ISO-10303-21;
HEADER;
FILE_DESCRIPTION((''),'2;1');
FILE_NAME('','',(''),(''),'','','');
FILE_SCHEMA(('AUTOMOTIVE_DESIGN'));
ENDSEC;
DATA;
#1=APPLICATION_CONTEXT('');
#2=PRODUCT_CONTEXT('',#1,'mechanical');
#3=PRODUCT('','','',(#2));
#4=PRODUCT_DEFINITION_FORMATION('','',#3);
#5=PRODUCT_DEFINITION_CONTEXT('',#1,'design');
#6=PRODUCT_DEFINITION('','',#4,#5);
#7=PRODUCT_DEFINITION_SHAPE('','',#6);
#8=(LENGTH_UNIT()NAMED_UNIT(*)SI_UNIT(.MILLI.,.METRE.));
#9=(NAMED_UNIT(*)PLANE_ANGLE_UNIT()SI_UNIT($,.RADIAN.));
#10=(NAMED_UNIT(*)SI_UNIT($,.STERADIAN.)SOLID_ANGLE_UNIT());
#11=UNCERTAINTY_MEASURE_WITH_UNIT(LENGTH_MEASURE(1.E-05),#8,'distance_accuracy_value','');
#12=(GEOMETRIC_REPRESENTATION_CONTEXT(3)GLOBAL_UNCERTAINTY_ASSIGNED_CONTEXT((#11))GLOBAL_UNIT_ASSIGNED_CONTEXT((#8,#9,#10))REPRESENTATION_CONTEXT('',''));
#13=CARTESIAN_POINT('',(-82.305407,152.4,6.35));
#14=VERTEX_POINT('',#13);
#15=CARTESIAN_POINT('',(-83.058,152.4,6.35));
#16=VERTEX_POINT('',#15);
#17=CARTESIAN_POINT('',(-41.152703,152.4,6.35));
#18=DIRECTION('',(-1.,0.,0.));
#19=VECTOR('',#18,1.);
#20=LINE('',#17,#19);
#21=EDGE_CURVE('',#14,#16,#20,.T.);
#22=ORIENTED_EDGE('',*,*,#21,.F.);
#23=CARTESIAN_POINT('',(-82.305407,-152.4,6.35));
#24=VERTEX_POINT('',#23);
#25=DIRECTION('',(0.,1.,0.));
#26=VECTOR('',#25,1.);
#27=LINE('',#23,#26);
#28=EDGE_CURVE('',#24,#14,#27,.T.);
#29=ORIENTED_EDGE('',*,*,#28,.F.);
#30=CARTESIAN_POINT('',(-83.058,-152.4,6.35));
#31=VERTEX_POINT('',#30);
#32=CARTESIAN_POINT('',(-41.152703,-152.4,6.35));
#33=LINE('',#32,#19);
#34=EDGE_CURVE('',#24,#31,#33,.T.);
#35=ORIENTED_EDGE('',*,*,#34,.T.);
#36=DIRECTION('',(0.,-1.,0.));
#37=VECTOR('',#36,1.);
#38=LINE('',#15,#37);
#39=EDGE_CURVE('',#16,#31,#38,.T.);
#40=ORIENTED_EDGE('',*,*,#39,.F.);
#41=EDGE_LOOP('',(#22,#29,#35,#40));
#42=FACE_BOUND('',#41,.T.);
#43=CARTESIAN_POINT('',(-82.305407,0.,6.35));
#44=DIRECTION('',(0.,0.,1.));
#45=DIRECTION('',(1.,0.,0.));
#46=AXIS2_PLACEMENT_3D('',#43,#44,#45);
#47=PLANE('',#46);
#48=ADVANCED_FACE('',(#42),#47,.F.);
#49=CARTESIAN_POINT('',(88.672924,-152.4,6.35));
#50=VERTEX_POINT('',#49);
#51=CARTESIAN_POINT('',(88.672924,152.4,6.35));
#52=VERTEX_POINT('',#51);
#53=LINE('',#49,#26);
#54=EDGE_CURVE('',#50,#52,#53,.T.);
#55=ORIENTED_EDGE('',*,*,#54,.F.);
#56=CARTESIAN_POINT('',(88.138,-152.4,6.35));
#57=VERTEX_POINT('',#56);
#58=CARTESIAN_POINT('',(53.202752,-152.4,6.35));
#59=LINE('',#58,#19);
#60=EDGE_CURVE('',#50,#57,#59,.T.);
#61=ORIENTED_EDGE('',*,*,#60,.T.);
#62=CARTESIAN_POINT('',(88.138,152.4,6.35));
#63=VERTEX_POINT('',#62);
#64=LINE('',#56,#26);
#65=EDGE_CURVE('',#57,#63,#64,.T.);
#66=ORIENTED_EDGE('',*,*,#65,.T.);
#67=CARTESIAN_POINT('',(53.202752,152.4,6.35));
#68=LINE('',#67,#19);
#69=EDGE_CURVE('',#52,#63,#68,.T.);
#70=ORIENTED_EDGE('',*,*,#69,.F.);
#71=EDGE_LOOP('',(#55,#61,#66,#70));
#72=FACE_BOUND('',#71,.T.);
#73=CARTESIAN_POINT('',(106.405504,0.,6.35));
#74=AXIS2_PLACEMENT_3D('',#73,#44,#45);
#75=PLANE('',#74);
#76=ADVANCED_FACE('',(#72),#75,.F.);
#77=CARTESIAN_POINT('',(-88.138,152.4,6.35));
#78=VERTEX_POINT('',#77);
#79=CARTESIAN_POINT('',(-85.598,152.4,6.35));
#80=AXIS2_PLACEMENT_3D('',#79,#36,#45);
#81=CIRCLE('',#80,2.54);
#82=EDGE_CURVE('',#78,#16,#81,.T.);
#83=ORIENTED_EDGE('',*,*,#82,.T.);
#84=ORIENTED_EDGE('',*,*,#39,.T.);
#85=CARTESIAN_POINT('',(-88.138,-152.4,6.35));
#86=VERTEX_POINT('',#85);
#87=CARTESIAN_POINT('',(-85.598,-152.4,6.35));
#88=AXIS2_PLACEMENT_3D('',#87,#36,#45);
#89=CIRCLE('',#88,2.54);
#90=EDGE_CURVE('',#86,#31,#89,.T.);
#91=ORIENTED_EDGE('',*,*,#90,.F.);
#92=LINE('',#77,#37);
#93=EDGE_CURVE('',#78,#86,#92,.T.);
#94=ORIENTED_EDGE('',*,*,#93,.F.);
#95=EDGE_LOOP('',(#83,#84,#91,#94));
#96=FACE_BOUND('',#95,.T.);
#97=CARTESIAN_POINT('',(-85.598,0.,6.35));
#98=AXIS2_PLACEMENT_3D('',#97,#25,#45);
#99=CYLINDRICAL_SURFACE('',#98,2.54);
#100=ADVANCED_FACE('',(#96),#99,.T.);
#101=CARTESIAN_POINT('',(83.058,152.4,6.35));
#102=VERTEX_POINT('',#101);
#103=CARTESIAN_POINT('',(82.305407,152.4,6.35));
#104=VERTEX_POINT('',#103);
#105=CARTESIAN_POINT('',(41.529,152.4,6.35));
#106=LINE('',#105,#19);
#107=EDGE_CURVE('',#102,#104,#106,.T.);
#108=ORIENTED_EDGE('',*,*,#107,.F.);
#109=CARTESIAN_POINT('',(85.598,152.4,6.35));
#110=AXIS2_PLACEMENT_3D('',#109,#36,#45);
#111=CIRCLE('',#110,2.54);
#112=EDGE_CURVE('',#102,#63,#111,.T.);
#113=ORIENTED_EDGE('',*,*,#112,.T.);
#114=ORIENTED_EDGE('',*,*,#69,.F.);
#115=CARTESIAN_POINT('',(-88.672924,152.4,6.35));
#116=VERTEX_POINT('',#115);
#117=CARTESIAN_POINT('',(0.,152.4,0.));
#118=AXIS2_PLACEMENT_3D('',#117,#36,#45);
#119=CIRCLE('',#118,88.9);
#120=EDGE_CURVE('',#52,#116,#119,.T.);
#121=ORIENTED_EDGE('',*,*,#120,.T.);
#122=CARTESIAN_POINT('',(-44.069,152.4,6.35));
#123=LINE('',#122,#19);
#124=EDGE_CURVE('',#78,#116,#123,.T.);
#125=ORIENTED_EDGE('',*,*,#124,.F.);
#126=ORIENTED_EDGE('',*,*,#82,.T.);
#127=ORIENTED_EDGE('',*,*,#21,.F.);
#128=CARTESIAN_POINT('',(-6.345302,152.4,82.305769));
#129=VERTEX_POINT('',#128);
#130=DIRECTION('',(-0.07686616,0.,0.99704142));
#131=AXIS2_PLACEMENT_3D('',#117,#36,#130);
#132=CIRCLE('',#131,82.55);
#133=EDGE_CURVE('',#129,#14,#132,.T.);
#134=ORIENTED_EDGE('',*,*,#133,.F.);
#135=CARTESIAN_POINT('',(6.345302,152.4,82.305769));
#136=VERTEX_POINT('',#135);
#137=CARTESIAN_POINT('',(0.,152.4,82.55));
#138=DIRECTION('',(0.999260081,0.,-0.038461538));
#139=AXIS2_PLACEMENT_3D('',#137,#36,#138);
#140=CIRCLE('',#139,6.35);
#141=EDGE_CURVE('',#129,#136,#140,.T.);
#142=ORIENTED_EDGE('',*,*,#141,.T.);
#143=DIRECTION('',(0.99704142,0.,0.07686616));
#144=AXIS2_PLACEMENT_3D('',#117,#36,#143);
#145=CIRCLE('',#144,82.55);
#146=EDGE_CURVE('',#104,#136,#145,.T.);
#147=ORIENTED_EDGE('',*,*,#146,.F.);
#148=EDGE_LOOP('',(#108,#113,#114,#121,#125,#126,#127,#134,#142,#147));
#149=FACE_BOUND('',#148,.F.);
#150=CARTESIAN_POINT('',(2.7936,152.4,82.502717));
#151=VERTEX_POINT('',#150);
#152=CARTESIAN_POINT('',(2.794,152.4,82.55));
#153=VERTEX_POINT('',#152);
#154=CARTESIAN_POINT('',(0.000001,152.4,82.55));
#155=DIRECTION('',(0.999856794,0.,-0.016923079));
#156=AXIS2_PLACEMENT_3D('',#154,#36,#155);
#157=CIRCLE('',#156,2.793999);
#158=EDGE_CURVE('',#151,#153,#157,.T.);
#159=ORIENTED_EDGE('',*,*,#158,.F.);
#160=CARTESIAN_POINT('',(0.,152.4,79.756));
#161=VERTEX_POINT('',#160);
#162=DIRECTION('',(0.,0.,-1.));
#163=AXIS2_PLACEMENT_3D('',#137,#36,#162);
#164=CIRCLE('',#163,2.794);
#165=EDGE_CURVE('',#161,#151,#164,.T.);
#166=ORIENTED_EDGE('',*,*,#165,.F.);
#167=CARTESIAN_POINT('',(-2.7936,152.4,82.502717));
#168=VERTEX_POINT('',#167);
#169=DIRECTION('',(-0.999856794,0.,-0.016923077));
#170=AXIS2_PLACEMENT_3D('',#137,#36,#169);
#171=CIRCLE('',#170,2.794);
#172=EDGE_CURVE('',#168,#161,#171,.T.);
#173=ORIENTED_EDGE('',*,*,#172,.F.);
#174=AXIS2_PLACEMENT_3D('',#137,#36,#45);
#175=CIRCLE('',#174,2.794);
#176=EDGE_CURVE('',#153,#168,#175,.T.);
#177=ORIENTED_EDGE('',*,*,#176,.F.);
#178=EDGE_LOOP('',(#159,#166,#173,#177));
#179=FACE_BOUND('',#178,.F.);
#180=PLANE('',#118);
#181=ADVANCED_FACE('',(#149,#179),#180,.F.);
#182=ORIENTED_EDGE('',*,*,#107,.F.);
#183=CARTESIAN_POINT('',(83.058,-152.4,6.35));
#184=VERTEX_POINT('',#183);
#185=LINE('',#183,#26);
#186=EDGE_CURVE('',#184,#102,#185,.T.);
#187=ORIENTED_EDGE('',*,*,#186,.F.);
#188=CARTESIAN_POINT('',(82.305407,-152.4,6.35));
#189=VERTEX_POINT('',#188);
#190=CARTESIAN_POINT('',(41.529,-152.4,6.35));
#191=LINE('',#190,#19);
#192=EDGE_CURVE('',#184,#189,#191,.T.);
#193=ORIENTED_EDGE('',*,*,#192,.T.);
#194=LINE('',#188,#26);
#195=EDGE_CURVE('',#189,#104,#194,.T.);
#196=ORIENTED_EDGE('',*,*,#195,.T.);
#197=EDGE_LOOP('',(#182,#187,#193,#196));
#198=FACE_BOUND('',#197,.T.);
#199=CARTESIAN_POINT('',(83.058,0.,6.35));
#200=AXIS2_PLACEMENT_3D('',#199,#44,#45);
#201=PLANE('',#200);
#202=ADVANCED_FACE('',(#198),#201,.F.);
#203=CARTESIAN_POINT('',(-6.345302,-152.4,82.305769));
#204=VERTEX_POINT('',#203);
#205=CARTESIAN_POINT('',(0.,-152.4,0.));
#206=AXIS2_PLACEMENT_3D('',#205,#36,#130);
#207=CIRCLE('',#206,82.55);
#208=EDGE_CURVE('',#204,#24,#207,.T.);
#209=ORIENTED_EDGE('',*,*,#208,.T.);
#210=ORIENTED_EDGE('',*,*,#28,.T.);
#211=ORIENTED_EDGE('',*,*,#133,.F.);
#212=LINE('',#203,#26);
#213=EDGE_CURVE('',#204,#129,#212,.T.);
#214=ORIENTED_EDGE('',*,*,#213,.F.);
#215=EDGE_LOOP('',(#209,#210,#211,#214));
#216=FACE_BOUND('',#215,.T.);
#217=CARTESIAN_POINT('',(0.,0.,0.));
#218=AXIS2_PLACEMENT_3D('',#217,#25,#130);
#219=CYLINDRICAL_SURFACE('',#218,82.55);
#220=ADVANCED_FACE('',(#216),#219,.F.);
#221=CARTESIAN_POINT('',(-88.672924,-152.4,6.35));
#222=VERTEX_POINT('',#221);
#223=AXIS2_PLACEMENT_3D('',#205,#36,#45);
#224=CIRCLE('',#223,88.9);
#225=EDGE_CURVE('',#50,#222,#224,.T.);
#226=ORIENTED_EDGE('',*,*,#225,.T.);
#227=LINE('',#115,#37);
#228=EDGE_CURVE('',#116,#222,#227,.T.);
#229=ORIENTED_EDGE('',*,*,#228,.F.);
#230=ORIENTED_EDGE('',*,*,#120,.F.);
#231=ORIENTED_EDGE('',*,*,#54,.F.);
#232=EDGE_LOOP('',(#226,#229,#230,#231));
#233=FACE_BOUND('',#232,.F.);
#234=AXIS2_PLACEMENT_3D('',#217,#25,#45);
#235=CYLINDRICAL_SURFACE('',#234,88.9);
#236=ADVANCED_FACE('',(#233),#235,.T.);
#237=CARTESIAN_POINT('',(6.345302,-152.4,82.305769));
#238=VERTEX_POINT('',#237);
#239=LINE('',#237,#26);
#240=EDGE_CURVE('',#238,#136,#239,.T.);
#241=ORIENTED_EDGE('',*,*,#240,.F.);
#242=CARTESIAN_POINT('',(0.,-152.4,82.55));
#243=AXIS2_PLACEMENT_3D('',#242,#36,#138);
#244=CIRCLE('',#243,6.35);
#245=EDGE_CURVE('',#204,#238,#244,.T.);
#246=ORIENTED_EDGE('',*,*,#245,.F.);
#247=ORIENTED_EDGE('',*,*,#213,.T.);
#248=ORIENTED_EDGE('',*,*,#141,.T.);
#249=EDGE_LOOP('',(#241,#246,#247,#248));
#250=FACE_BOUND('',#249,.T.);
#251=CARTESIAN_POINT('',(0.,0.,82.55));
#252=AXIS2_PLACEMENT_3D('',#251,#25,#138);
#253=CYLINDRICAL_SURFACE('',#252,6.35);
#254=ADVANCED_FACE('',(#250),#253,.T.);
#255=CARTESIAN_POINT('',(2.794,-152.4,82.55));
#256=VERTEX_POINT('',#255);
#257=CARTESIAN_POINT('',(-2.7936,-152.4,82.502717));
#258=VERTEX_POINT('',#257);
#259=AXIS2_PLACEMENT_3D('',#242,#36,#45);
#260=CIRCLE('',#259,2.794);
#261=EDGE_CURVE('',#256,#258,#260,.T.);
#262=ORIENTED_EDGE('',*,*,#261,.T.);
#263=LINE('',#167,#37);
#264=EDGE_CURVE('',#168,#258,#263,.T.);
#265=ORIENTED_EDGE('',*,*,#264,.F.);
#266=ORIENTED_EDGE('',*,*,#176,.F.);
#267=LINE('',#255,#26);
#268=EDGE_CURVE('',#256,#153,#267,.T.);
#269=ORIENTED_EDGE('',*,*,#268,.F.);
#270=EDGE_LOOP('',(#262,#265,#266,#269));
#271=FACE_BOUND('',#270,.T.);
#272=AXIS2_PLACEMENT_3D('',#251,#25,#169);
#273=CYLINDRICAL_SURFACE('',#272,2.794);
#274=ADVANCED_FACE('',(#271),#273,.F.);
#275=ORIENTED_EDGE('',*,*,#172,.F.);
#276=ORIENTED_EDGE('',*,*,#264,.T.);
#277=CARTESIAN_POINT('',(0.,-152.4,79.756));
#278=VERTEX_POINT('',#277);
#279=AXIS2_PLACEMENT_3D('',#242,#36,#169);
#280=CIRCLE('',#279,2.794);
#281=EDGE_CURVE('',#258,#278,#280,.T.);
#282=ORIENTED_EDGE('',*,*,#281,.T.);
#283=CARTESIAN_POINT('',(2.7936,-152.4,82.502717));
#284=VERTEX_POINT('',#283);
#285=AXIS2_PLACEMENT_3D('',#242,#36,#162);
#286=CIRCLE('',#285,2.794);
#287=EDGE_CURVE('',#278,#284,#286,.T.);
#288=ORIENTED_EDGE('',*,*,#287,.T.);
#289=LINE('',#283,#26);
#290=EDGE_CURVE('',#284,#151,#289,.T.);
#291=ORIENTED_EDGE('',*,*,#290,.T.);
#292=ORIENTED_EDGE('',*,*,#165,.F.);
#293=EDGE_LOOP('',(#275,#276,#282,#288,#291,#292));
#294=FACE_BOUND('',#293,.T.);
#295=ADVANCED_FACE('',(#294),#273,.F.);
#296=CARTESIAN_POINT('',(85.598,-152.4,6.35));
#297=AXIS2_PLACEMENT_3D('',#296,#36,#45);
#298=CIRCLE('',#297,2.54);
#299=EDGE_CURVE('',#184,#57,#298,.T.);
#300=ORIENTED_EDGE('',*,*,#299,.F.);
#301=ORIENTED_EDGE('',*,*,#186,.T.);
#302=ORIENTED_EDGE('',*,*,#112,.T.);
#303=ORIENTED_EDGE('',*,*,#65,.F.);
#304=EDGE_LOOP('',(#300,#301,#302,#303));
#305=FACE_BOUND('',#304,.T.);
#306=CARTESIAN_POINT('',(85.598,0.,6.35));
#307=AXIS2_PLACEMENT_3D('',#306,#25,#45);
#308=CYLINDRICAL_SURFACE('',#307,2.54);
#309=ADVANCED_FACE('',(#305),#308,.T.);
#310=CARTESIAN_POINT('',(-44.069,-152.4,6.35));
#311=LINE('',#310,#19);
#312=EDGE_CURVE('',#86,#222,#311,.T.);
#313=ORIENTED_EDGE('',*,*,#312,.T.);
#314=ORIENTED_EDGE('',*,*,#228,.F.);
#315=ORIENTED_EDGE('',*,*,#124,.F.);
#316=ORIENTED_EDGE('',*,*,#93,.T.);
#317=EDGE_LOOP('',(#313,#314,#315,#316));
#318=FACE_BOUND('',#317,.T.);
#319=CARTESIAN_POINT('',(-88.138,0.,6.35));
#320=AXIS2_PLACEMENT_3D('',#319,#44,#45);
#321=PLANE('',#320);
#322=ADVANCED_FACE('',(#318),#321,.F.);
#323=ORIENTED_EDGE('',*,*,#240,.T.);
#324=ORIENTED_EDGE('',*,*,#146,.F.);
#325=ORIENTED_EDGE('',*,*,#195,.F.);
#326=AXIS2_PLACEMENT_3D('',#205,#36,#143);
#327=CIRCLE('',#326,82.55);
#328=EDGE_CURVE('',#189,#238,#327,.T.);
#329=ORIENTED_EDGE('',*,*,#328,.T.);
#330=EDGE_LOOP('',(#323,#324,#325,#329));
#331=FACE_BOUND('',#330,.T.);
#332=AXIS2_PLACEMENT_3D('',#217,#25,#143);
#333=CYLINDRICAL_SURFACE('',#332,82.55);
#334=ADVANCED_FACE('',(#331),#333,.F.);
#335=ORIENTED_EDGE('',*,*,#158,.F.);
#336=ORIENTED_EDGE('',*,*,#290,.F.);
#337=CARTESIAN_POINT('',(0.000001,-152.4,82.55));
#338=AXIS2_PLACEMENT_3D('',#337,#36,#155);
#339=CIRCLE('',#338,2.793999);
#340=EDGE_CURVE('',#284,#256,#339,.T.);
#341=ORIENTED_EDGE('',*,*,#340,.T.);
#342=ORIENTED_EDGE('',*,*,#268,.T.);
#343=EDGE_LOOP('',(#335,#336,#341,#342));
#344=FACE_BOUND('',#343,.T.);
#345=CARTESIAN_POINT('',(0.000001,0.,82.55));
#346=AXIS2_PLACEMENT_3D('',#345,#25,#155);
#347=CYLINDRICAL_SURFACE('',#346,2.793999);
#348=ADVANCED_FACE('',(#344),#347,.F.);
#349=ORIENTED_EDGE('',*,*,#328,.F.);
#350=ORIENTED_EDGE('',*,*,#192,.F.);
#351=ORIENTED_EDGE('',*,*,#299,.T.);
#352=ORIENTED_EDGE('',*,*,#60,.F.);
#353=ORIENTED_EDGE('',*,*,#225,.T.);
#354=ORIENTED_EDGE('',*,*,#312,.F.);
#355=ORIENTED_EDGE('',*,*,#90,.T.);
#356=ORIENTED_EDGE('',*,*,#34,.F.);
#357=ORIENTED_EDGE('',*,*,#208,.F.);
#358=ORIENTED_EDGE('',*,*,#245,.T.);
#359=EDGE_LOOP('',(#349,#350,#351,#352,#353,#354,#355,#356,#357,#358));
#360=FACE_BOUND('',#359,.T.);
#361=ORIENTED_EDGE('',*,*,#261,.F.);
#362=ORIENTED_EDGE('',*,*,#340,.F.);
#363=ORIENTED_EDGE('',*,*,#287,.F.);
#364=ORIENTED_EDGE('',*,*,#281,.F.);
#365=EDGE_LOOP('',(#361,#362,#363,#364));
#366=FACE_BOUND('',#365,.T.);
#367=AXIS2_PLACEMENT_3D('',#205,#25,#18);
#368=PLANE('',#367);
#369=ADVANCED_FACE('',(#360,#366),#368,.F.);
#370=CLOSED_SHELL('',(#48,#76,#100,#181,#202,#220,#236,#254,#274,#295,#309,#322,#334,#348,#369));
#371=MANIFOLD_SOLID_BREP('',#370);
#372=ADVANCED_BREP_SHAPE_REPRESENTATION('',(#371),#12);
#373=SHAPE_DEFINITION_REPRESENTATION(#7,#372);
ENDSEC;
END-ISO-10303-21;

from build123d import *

# Parameters (mm, degrees)
F0_R     = 88.9
F1_DEPTH = 152.4
F4_DEPTH = 152.401
F5_DEPTH = 152.401
F7_DEPTH = 152.401


with BuildPart() as f1:
    # F0 (on Front) → F1 (new body)
    with BuildSketch(Plane.XZ):
        Circle(F0_R)
    extrude(amount=-F1_DEPTH)

    # F3 (on face) → F4 (cut, through all)
    with BuildSketch(Plane.XZ):
        with BuildLine():
            ThreePointArc((6.3453015162, 82.3057692308), (0, 76.2), (-6.3453015162, 82.3057692308))
            ThreePointArc((-6.3453015162, 82.3057692308), (-58.3716647869, 58.3716647869), (-82.3057692308, 6.3453015162))
            ThreePointArc((-82.3057692308, 6.3453015162), (-77.974338005, 4.4029328075), (-76.2, 0))
            ThreePointArc((-76.2, 0), (-77.974338005, -4.4029328075), (-82.3057692308, -6.3453015162))
            ThreePointArc((-82.3057692308, -6.3453015162), (-58.3716647869, -58.3716647869), (-6.3453015162, -82.3057692308))
            ThreePointArc((-6.3453015162, -82.3057692308), (0, -76.2), (6.3453015162, -82.3057692308))
            ThreePointArc((6.3453015162, -82.3057692308), (58.3716647869, -58.3716647869), (82.3057692308, -6.3453015162))
            ThreePointArc((82.3057692308, -6.3453015162), (76.2, 0), (82.3057692308, 6.3453015162))
            ThreePointArc((82.3057692308, 6.3453015162), (58.3716647869, 58.3716647869), (6.3453015162, 82.3057692308))
        make_face()
    extrude(amount=-F4_DEPTH, mode=Mode.SUBTRACT)

    # F2 (on face) → F5 (cut, through all)
    with BuildSketch(Plane.XZ):
        with BuildLine():
            ThreePointArc((-2.7935998838, 82.5027169231), (-1.9588679235, 80.5576966952), (0, 79.756))
            ThreePointArc((0, 79.756), (1.9588679235, 80.5576966952), (2.7935998838, 82.5027169231))
            ThreePointArc((2.7935998838, 82.5027169231), (2.7938999692, 82.5263576151), (2.794, 82.55))
            ThreePointArc((2.794, 82.55), (-0.0236423849, 85.3438999692), (-2.7935998838, 82.5027169231))
        make_face()
        with BuildLine():
            ThreePointArc((-82.5027169231, 2.7935998838), (-85.344, 0), (-82.5027169231, -2.7935998838))
            ThreePointArc((-82.5027169231, -2.7935998838), (-80.5576966952, -1.9588679235), (-79.756, 0))
            ThreePointArc((-79.756, 0), (-80.5576966952, 1.9588679235), (-82.5027169231, 2.7935998838))
        make_face()
        with BuildLine():
            ThreePointArc((79.756, 0), (80.5576966952, -1.9588679235), (82.5027169231, -2.7935998838))
            ThreePointArc((82.5027169231, -2.7935998838), (84.5088679235, -1.9923033048), (85.344, 0))
            ThreePointArc((85.344, 0), (84.5088679235, 1.9923033048), (82.5027169231, 2.7935998838))
            ThreePointArc((82.5027169231, 2.7935998838), (80.5576966952, 1.9588679235), (79.756, 0))
        make_face()
        with BuildLine():
            ThreePointArc((2.794, -82.55), (2.7938999692, -82.5263576151), (2.7935998838, -82.5027169231))
            ThreePointArc((2.7935998838, -82.5027169231), (1.9588679235, -80.5576966952), (0, -79.756))
            ThreePointArc((0, -79.756), (-1.9588679235, -80.5576966952), (-2.7935998838, -82.5027169231))
            ThreePointArc((-2.7935998838, -82.5027169231), (-0.0236423849, -85.3438999692), (2.794, -82.55))
        make_face()
    extrude(amount=-F5_DEPTH, mode=Mode.SUBTRACT)

    # F6 (on face) → F7 (cut, through all)
    with BuildSketch(Plane.XZ):
        with BuildLine():
            Line((82.55, 0), (76.2, 0))
            ThreePointArc((76.2, 0), (77.974338005, -4.4029328075), (82.3057692308, -6.3453015162))
            ThreePointArc((82.3057692308, -6.3453015162), (58.3716647869, -58.3716647869), (6.3453015162, -82.3057692308))
            ThreePointArc((6.3453015162, -82.3057692308), (0, -76.2), (-6.3453015162, -82.3057692308))
            ThreePointArc((-6.3453015162, -82.3057692308), (-58.3716647869, -58.3716647869), (-82.3057692308, -6.3453015162))
            ThreePointArc((-82.3057692308, -6.3453015162), (-77.974338005, -4.4029328075), (-76.2, 0))
            Line((-76.2, 0), (-88.9, 0))
            Line((-88.9, 0), (-104.8936669013, -139.8783236514))
            Line((-104.8936669013, -139.8783236514), (114.9751045783, -122.2419444763))
            Line((114.9751045783, -122.2419444763), (88.9, 0))
            Line((88.9, 0), (82.55, 0))
        make_face()
        Polygon((88.9, 6.35), (88.9, 0), (114.9751045783, -122.2419444763), (179.3332546949, -117.0795708895), (106.4055040479, 6.35), align=None)
        with BuildLine():
            ThreePointArc((82.3057692308, 6.3453015162), (77.974338005, 4.4029328075), (76.2, 0))
            Line((76.2, 0), (82.55, 0))
            Line((82.55, 0), (88.9, 0))
            Line((88.9, 0), (88.9, 6.35))
            Line((88.9, 6.35), (88.138, 6.35))
            ThreePointArc((88.138, 6.35), (85.598, 3.81), (83.058, 6.35))
            Line((83.058, 6.35), (82.55, 6.35))
            Line((82.55, 6.35), (82.3054068698, 6.35))
            ThreePointArc((82.3054068698, 6.35), (82.3055880838, 6.3476507607), (82.3057692308, 6.3453015162))
        make_face()
        with BuildLine():
            Line((-88.9, 0), (-76.2, 0))
            ThreePointArc((-76.2, 0), (-77.974338005, 4.4029328075), (-82.3057692308, 6.3453015162))
            ThreePointArc((-82.3057692308, 6.3453015162), (-82.3055880838, 6.3476507607), (-82.3054068698, 6.35))
            Line((-82.3054068698, 6.35), (-82.55, 6.35))
            Line((-82.55, 6.35), (-83.058, 6.35))
            ThreePointArc((-83.058, 6.35), (-85.598, 3.81), (-88.138, 6.35))
            Line((-88.138, 6.35), (-88.9, 6.35))
            Line((-88.9, 6.35), (-88.9, 0))
        make_face()
    extrude(amount=-F7_DEPTH, mode=Mode.SUBTRACT)

    # F8: F1 across face


with BuildPart() as f1_1:
    add(f1.part)
    add(f1.part.mirror(Plane.XZ))


solid = f1_1.part
